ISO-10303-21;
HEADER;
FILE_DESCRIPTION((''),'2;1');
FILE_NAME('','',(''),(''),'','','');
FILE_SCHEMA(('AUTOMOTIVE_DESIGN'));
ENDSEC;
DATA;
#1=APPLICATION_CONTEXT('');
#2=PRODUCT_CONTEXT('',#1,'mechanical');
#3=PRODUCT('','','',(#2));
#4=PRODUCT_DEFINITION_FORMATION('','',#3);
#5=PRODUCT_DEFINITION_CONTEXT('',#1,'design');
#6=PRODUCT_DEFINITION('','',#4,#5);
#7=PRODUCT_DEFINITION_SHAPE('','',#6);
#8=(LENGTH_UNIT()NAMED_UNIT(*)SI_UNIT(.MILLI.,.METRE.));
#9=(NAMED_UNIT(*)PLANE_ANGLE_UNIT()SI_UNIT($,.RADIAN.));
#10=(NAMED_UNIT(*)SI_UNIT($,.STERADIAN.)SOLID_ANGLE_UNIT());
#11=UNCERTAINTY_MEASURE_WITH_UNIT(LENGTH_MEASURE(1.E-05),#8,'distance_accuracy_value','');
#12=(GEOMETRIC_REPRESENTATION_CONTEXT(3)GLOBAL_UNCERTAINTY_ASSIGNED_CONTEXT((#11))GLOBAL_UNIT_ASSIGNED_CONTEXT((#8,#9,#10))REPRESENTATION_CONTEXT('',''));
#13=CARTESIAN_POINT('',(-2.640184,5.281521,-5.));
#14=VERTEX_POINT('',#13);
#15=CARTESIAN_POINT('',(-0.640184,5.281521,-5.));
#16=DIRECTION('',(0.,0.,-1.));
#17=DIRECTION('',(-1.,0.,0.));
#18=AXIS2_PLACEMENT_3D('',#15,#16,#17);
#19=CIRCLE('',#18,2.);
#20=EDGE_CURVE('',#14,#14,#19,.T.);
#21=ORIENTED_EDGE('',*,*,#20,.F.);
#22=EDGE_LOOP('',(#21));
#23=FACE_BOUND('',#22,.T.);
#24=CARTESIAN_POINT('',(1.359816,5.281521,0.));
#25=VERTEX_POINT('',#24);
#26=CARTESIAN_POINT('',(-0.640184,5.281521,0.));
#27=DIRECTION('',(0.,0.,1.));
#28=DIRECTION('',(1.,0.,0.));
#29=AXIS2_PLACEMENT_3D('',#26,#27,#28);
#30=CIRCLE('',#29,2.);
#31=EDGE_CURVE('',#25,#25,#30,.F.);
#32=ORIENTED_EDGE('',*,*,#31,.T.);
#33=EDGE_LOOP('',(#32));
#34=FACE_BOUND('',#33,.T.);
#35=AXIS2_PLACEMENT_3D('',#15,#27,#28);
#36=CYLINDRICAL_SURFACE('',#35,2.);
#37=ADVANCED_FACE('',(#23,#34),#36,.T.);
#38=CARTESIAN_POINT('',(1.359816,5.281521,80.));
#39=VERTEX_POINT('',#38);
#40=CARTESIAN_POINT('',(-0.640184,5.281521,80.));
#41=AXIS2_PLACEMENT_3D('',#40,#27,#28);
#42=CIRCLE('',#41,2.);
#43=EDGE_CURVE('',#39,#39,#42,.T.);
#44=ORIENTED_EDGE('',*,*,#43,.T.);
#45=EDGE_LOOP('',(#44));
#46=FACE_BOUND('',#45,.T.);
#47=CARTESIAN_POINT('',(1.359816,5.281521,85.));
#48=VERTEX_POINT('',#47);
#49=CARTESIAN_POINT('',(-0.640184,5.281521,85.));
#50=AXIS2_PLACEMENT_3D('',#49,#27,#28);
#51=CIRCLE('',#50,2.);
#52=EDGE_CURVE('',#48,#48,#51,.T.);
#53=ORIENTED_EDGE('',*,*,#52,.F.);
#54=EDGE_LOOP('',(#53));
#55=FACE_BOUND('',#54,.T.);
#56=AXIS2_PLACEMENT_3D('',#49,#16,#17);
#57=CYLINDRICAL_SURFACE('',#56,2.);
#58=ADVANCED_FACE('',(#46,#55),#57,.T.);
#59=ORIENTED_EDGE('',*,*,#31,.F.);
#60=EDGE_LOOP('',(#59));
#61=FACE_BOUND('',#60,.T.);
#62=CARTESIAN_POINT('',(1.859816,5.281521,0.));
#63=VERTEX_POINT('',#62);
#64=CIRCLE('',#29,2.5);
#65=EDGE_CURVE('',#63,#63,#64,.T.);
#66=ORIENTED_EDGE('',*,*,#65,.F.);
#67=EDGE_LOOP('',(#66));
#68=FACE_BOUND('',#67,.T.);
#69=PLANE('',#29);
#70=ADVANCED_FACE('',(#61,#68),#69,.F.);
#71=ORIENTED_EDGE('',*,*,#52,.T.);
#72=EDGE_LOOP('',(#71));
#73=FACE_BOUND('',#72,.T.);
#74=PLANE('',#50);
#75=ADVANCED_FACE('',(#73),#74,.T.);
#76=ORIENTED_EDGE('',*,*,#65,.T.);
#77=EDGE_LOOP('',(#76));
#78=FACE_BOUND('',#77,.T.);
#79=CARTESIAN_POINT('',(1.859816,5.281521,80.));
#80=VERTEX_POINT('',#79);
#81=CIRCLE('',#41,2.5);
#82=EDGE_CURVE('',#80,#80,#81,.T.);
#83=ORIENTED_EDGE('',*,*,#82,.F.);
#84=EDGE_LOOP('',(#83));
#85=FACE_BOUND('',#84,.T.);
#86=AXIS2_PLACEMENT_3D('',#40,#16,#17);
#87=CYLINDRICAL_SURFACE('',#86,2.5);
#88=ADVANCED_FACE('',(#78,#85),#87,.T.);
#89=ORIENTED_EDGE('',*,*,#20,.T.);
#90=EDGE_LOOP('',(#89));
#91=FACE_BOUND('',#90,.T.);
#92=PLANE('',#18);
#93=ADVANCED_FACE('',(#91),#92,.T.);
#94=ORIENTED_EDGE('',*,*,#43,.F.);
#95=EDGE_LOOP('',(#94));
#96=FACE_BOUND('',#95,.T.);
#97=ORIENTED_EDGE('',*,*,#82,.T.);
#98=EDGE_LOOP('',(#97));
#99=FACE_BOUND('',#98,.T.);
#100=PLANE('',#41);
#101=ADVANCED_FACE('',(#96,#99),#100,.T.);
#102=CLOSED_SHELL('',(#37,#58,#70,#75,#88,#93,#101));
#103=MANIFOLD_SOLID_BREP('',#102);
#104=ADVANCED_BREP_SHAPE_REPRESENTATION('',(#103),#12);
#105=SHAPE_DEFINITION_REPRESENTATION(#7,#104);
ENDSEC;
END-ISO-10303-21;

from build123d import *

# Parameters (mm, degrees)
SKETCH_1_R      = 2.5
EXTRUDE_1_DEPTH = 80
SKETCH_2_R      = 2
EXTRUDE_2_DEPTH = 5
EXTRUDE_START   = 5
SKETCH_3_R      = 2
EXTRUDE_3_DEPTH = 5


with BuildPart() as part:
    # 草图1 → 凸台-拉伸1 (new body)
    with BuildSketch(Plane.XY):
        with Locations((-0.6401844, 5.281521297)):
            Circle(SKETCH_1_R)
    extrude(amount=EXTRUDE_1_DEPTH)

    # 草图2 → 凸台-拉伸2 (add)
    with BuildSketch(Plane.XY.offset(80)):
        with Locations((-0.6401844, 5.281521297)):
            Circle(SKETCH_2_R)
    extrude(amount=EXTRUDE_2_DEPTH)

    # 草图3 → 凸台-拉伸3 (add)
    with BuildSketch(Plane(origin=(0, 0, 0), x_dir=(-1, 0, 0), z_dir=(0, 0, -1)).offset(EXTRUDE_START)):
        with Locations(Location((0.6401844, 5.281521297, 0), (0, 0, 180))):
            Circle(SKETCH_3_R)
    extrude(amount=-EXTRUDE_3_DEPTH)


solid = part.part
